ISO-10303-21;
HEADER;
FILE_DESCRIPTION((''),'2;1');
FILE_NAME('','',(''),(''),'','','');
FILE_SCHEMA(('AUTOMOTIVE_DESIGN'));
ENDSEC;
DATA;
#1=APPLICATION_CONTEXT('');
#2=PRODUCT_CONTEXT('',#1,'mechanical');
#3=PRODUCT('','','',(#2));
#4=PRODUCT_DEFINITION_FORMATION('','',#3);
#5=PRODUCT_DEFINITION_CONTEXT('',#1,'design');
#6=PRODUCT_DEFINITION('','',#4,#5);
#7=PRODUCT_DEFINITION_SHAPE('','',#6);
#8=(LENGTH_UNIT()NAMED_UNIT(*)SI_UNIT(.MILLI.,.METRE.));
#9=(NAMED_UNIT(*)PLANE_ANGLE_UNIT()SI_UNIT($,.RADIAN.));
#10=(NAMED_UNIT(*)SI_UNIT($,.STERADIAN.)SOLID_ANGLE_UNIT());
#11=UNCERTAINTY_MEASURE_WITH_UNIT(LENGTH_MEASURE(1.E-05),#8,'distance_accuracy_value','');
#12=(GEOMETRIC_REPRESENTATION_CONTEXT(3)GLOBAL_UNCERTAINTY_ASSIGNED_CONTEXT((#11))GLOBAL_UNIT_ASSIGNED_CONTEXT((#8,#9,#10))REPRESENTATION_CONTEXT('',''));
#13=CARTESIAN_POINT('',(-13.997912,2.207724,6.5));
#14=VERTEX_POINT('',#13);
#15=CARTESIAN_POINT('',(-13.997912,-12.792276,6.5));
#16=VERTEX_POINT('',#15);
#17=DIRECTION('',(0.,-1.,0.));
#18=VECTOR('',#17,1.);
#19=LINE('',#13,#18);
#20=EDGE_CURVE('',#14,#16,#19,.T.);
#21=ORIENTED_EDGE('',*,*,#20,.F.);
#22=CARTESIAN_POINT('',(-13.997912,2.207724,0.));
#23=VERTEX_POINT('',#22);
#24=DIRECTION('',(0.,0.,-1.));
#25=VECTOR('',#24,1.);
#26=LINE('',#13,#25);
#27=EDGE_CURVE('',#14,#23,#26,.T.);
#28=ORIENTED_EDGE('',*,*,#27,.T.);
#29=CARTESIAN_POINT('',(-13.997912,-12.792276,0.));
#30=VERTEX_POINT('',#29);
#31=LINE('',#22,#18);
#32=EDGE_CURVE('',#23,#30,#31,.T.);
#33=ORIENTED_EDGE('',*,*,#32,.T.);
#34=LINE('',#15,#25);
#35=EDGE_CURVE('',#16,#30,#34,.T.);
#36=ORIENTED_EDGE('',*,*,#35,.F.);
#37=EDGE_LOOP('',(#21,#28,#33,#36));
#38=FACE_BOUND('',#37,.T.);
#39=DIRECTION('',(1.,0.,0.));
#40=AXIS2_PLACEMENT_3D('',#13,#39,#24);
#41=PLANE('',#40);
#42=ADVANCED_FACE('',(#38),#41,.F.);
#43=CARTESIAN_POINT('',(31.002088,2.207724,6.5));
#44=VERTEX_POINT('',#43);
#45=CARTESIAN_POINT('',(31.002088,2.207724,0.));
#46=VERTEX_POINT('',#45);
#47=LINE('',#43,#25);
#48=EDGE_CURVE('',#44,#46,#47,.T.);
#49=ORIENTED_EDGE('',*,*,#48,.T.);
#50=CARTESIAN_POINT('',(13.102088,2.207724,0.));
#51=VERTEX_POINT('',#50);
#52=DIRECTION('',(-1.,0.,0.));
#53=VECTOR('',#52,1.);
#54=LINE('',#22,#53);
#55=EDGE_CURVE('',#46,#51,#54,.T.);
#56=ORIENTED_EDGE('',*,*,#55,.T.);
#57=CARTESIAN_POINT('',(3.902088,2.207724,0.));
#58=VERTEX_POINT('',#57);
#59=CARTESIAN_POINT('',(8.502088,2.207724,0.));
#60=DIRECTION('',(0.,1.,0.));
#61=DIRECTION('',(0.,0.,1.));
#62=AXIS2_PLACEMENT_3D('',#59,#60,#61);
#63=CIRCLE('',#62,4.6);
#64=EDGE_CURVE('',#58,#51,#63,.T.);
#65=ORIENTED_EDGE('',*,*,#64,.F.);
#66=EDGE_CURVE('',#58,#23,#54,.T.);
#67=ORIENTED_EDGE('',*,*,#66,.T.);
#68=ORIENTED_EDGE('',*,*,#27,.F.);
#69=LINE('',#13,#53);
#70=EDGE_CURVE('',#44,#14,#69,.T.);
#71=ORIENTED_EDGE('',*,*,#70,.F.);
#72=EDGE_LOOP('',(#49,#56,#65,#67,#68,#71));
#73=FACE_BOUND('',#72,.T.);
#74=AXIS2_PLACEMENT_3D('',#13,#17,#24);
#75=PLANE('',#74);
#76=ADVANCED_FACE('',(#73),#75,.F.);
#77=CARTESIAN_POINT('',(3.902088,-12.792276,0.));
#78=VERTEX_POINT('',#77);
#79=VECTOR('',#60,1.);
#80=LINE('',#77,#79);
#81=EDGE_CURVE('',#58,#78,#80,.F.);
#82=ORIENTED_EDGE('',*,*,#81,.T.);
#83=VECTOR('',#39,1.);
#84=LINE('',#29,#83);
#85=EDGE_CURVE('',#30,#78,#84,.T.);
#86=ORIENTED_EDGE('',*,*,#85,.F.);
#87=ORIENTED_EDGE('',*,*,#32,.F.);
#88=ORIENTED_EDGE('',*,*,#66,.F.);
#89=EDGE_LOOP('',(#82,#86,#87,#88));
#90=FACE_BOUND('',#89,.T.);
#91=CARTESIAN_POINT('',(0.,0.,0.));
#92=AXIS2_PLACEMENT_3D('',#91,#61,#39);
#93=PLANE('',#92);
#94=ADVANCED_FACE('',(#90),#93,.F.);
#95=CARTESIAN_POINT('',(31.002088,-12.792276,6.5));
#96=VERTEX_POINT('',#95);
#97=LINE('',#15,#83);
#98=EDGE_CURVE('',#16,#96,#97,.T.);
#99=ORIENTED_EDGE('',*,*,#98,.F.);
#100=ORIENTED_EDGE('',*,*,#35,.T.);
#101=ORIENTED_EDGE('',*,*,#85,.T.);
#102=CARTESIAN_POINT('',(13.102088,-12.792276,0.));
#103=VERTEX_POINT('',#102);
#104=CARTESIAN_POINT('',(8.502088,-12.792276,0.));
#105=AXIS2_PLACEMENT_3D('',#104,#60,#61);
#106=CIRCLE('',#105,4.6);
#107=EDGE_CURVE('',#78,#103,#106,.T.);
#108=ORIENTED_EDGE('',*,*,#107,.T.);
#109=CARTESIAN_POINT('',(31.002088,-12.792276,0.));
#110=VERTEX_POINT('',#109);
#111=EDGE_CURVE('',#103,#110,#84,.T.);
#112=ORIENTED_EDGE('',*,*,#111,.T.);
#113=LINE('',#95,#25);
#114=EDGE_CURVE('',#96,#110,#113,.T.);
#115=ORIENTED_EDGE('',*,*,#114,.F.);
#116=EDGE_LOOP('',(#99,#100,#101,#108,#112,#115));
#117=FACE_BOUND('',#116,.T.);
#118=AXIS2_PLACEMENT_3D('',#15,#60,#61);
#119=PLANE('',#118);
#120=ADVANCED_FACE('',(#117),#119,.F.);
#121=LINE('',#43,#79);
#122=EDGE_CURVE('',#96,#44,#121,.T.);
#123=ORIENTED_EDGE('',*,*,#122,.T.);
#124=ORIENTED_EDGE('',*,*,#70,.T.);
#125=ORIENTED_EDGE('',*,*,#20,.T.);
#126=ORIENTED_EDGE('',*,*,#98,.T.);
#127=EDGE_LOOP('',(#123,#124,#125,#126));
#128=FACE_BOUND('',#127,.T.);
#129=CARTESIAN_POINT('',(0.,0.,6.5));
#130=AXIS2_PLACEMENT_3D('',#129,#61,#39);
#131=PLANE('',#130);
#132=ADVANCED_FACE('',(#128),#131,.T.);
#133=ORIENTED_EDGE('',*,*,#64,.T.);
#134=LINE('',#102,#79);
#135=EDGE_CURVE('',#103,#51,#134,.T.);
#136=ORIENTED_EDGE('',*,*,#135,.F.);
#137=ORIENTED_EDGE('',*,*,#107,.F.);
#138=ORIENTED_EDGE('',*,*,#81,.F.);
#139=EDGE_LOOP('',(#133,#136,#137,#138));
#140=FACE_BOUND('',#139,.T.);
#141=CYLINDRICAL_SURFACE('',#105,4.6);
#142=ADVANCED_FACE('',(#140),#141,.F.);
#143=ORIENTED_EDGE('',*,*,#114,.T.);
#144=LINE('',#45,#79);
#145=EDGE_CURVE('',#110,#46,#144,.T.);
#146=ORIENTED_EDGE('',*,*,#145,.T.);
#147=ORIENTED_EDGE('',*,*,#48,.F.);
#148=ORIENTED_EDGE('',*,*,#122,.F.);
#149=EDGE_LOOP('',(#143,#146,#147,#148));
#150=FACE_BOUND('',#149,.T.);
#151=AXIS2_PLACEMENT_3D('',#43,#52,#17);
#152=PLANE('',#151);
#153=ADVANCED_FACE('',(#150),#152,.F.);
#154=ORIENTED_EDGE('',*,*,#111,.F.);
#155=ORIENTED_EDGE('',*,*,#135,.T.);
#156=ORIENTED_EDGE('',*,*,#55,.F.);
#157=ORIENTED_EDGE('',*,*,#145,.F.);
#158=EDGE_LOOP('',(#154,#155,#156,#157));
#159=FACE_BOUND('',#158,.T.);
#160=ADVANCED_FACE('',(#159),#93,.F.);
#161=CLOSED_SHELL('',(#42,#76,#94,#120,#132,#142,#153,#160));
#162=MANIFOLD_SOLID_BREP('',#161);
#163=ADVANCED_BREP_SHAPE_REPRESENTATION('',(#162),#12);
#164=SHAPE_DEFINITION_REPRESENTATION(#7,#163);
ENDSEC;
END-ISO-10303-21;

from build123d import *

# Parameters (mm, degrees)
SKETCH_1_W          = 45
SKETCH_1_H          = 15
EXTRUDE_1_DEPTH     = 6.5
SKETCH_3_R          = 4.6
CUT_EXTRUDE_1_DEPTH = 16


with BuildPart() as part:
    # 草图1 → 凸台-拉伸1 (new body)
    with BuildSketch(Plane.XY):
        with Locations((8.502087683, -5.292275574)):
            Rectangle(SKETCH_1_W, SKETCH_1_H)
    extrude(amount=EXTRUDE_1_DEPTH)

    # 草图3 → 切除-拉伸1 (cut, through all)
    with BuildSketch(Plane(origin=(0, 2.207724426, 0), x_dir=(1, 0, 0), z_dir=(0, 1, 0))):
        with Locations((8.502087683, 0)):
            Circle(SKETCH_3_R)
    extrude(amount=-CUT_EXTRUDE_1_DEPTH, mode=Mode.SUBTRACT)


solid = part.part
